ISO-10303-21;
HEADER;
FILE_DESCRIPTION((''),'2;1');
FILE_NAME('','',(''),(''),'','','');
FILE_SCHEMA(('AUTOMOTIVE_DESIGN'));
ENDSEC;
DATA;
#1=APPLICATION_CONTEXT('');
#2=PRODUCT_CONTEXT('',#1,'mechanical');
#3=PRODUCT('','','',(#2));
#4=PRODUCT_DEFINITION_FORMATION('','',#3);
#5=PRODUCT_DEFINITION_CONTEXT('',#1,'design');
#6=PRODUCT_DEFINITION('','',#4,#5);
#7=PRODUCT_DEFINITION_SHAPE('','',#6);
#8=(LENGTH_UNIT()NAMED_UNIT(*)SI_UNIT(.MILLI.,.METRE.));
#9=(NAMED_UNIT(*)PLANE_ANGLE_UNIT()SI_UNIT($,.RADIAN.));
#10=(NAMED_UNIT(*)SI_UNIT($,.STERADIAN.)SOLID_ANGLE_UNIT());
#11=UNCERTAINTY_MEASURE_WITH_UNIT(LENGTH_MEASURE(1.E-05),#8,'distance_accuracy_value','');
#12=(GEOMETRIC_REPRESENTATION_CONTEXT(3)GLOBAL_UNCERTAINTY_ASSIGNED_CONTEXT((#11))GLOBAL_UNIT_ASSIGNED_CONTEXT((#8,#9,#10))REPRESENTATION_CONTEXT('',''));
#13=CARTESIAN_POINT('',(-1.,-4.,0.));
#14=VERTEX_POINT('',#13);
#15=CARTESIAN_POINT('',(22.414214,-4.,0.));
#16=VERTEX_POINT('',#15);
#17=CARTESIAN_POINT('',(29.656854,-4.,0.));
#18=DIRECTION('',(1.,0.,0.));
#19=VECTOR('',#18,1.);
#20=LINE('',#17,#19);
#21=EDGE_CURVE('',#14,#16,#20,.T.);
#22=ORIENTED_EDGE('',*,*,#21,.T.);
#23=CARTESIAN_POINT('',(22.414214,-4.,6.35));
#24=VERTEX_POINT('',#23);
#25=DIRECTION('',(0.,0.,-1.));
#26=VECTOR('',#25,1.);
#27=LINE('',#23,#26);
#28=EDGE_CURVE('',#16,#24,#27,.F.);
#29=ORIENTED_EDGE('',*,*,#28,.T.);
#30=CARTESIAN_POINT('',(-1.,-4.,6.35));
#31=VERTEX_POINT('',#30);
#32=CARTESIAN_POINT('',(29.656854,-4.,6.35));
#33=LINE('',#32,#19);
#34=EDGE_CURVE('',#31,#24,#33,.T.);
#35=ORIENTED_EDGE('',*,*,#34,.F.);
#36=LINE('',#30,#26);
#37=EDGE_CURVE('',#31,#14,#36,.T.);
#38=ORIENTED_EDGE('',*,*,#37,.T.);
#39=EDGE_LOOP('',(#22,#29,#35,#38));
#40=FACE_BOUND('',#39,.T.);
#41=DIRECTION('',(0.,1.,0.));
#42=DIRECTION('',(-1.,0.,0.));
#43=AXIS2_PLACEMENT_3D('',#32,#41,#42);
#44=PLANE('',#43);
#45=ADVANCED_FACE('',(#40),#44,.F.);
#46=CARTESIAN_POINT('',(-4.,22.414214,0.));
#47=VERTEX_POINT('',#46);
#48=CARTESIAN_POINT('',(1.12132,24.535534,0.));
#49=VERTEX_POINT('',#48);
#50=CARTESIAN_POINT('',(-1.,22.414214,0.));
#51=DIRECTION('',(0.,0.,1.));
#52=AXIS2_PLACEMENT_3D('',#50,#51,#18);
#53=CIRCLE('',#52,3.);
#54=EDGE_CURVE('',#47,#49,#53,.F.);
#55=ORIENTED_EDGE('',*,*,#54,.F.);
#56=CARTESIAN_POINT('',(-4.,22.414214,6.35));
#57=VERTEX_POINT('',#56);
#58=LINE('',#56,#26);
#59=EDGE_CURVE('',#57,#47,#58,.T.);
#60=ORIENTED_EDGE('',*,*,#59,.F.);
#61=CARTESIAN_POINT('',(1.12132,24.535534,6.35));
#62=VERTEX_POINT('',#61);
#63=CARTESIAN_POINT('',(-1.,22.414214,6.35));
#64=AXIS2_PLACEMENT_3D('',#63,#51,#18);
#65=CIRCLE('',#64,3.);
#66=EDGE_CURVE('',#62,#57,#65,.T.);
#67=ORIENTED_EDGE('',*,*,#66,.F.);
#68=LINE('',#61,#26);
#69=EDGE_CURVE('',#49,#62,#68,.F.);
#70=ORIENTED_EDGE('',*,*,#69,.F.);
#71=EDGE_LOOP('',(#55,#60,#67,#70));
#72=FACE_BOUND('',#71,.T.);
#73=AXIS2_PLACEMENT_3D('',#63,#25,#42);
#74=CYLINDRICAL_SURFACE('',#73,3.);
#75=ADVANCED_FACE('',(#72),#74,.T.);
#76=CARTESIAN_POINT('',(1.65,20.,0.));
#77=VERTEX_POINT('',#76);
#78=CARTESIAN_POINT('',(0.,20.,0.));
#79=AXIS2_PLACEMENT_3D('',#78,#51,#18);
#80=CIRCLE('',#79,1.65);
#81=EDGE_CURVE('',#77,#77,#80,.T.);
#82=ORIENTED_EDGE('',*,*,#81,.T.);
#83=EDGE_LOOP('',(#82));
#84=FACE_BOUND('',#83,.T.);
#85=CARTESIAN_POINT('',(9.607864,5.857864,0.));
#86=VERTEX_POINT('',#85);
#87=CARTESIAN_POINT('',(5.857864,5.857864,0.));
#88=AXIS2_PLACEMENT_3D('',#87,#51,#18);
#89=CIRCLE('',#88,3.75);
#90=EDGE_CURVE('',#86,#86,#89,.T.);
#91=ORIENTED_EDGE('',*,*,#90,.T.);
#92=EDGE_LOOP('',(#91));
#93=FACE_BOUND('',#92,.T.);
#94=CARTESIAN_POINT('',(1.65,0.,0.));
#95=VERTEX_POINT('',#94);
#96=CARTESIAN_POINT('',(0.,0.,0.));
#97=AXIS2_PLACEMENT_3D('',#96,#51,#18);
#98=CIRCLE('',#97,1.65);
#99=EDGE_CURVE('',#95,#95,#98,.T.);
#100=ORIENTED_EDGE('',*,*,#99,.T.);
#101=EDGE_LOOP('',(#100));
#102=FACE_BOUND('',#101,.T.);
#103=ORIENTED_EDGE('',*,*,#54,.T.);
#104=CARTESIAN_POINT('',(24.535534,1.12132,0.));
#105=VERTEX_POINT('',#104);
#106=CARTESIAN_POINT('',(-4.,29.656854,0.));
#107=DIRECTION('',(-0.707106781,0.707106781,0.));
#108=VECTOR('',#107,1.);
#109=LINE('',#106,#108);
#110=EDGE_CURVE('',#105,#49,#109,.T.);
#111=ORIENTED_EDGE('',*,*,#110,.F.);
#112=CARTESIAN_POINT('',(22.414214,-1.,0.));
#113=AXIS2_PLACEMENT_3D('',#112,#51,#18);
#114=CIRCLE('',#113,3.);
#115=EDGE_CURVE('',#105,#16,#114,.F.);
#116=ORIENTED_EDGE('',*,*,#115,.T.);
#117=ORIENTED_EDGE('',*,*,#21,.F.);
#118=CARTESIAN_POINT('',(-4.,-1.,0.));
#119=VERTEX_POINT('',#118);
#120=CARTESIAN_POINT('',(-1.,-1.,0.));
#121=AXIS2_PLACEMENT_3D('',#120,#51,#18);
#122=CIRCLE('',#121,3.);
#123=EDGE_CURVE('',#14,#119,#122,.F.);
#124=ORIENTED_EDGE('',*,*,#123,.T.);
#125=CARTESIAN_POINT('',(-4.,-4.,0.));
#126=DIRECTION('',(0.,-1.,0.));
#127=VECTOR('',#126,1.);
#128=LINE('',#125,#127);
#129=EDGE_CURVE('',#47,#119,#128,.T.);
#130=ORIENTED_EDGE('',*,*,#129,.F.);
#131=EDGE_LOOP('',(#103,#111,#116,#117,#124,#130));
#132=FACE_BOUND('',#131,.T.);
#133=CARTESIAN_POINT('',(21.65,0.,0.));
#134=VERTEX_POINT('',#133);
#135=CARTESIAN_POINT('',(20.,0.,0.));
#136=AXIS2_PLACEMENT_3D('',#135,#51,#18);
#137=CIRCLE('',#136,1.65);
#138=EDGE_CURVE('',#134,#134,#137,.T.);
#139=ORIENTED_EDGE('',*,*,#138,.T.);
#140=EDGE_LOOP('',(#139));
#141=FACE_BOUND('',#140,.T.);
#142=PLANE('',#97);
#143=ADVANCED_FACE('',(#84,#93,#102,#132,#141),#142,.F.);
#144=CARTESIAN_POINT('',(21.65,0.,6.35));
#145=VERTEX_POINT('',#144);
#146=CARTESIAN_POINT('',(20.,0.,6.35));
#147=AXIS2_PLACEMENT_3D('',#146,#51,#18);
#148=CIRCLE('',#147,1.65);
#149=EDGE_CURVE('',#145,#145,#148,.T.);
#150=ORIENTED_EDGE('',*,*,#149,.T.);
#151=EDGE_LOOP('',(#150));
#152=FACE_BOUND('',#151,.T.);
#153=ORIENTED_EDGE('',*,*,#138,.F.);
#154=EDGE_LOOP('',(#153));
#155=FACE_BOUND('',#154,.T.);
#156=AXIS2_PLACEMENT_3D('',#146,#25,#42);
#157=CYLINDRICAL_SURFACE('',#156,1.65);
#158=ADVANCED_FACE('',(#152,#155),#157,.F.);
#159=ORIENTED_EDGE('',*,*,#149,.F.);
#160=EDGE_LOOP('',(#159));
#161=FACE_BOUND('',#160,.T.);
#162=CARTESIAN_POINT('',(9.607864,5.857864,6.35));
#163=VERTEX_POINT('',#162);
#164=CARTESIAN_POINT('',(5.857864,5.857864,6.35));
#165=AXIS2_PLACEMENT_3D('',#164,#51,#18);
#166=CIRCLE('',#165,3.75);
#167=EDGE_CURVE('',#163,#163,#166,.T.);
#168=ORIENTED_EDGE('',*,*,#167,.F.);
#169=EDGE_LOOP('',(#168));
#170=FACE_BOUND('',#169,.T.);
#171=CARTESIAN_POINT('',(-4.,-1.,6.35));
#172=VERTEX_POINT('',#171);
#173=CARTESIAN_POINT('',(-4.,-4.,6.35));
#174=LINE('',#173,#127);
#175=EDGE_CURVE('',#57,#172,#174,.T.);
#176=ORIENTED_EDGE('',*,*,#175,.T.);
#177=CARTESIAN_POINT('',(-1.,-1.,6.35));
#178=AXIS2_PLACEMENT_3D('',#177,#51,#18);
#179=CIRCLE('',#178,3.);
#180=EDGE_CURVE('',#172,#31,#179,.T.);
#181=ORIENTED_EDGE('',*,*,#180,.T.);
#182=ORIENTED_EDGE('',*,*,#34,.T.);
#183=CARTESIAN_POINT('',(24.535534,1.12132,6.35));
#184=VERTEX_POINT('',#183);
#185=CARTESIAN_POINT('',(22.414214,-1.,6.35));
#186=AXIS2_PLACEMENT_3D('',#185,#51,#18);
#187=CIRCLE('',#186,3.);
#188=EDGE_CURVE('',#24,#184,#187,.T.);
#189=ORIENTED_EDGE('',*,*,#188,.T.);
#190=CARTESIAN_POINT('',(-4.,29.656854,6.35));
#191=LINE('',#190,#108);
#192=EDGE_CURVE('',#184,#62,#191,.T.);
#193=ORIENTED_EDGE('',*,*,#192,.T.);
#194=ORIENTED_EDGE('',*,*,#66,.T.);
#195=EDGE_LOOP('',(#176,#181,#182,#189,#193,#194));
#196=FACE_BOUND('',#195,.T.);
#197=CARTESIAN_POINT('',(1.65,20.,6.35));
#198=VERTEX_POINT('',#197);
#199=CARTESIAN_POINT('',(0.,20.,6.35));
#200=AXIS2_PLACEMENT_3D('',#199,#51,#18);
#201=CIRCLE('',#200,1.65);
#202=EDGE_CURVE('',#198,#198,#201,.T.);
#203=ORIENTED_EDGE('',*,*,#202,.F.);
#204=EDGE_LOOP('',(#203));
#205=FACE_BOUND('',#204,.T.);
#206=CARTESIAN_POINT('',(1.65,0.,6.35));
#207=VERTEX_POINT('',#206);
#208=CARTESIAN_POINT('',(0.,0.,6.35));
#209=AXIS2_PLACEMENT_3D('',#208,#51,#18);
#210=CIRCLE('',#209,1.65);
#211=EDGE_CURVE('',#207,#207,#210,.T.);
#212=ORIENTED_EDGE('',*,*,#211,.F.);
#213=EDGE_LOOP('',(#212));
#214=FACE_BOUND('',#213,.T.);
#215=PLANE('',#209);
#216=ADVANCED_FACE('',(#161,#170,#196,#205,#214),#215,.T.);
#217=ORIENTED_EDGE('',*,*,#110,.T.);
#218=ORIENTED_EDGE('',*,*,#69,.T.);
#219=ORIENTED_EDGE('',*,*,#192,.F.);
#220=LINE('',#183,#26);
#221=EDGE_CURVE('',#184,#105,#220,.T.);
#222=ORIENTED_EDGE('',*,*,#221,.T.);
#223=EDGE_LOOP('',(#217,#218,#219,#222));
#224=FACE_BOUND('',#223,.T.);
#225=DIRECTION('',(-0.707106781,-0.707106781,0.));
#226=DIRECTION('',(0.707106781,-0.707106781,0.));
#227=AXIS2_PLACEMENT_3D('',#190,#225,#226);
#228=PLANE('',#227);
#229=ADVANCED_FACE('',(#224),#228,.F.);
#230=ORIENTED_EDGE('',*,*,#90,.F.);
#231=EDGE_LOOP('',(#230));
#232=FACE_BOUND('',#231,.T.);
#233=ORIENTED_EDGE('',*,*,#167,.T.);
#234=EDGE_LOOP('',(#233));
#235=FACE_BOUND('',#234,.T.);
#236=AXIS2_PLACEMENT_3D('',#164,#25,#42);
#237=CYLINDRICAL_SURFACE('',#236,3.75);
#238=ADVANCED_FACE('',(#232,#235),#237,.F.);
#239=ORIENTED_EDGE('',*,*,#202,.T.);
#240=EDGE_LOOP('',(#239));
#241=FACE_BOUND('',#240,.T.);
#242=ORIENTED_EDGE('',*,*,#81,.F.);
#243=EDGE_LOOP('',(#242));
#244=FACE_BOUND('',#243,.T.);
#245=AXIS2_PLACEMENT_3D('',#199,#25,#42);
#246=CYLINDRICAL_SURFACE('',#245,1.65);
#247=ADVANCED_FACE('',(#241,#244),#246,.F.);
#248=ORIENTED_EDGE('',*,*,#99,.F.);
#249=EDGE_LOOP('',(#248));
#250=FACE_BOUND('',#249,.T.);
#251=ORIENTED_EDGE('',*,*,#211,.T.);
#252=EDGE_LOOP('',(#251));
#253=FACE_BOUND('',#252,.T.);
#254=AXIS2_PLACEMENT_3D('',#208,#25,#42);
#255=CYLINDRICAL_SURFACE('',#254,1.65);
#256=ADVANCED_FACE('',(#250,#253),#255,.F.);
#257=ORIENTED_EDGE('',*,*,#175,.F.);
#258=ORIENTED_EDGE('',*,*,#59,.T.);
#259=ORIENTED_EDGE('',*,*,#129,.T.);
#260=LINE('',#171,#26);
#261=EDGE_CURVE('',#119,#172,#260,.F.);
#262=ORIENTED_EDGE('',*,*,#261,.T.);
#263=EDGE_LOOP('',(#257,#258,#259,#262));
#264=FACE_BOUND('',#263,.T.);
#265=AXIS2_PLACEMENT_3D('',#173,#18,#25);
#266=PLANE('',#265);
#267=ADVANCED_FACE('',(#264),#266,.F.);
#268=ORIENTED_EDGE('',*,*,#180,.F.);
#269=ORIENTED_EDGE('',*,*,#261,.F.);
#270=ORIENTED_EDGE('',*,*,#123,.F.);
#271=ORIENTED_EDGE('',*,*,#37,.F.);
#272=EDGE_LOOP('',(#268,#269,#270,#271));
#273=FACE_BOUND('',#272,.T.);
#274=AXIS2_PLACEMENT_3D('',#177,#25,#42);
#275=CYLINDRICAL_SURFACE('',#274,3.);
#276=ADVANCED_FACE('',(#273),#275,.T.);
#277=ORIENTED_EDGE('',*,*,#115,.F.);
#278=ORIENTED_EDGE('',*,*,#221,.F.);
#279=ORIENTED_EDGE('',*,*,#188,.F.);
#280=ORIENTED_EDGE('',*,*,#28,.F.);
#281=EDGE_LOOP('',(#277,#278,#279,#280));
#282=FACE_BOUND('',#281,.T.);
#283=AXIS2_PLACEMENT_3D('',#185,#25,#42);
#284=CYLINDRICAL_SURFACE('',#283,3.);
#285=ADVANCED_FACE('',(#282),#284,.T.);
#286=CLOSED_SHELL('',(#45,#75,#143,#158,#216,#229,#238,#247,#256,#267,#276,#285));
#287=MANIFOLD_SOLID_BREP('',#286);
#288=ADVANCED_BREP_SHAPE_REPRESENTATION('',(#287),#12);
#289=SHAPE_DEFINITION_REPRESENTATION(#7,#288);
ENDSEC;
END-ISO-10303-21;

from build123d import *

# Parameters (mm, degrees)
SKETCH1_R           = 1.65
SKETCH1_R_2         = 3.75
BOSS_EXTRUDE1_DEPTH = 6.35
FILLET1_R           = 3


with BuildPart() as part:
    # Sketch1 → Boss-Extrude1 (new body)
    with BuildSketch(Plane.XY):
        Polygon((-4, 29.656854249), (29.656854249, -4), (-4, -4), align=None)
        with Locations((0, 20)):
            Circle(SKETCH1_R, mode=Mode.SUBTRACT)
        with Locations((20, 0)):
            Circle(SKETCH1_R, mode=Mode.SUBTRACT)
        Circle(SKETCH1_R, mode=Mode.SUBTRACT)
        with Locations((5.857864376, 5.857864376)):
            Circle(SKETCH1_R_2, mode=Mode.SUBTRACT)
    extrude(amount=BOSS_EXTRUDE1_DEPTH)

    # Fillet1
    fillet1_edges = [part.edges().sort_by_distance(p)[0] for p in [
        (-4, 29.656854249, 3.175),
        (29.656854249, -4, 3.175),
        (-4, -4, 3.175),
    ]]
    fillet(fillet1_edges, radius=FILLET1_R)


solid = part.part
